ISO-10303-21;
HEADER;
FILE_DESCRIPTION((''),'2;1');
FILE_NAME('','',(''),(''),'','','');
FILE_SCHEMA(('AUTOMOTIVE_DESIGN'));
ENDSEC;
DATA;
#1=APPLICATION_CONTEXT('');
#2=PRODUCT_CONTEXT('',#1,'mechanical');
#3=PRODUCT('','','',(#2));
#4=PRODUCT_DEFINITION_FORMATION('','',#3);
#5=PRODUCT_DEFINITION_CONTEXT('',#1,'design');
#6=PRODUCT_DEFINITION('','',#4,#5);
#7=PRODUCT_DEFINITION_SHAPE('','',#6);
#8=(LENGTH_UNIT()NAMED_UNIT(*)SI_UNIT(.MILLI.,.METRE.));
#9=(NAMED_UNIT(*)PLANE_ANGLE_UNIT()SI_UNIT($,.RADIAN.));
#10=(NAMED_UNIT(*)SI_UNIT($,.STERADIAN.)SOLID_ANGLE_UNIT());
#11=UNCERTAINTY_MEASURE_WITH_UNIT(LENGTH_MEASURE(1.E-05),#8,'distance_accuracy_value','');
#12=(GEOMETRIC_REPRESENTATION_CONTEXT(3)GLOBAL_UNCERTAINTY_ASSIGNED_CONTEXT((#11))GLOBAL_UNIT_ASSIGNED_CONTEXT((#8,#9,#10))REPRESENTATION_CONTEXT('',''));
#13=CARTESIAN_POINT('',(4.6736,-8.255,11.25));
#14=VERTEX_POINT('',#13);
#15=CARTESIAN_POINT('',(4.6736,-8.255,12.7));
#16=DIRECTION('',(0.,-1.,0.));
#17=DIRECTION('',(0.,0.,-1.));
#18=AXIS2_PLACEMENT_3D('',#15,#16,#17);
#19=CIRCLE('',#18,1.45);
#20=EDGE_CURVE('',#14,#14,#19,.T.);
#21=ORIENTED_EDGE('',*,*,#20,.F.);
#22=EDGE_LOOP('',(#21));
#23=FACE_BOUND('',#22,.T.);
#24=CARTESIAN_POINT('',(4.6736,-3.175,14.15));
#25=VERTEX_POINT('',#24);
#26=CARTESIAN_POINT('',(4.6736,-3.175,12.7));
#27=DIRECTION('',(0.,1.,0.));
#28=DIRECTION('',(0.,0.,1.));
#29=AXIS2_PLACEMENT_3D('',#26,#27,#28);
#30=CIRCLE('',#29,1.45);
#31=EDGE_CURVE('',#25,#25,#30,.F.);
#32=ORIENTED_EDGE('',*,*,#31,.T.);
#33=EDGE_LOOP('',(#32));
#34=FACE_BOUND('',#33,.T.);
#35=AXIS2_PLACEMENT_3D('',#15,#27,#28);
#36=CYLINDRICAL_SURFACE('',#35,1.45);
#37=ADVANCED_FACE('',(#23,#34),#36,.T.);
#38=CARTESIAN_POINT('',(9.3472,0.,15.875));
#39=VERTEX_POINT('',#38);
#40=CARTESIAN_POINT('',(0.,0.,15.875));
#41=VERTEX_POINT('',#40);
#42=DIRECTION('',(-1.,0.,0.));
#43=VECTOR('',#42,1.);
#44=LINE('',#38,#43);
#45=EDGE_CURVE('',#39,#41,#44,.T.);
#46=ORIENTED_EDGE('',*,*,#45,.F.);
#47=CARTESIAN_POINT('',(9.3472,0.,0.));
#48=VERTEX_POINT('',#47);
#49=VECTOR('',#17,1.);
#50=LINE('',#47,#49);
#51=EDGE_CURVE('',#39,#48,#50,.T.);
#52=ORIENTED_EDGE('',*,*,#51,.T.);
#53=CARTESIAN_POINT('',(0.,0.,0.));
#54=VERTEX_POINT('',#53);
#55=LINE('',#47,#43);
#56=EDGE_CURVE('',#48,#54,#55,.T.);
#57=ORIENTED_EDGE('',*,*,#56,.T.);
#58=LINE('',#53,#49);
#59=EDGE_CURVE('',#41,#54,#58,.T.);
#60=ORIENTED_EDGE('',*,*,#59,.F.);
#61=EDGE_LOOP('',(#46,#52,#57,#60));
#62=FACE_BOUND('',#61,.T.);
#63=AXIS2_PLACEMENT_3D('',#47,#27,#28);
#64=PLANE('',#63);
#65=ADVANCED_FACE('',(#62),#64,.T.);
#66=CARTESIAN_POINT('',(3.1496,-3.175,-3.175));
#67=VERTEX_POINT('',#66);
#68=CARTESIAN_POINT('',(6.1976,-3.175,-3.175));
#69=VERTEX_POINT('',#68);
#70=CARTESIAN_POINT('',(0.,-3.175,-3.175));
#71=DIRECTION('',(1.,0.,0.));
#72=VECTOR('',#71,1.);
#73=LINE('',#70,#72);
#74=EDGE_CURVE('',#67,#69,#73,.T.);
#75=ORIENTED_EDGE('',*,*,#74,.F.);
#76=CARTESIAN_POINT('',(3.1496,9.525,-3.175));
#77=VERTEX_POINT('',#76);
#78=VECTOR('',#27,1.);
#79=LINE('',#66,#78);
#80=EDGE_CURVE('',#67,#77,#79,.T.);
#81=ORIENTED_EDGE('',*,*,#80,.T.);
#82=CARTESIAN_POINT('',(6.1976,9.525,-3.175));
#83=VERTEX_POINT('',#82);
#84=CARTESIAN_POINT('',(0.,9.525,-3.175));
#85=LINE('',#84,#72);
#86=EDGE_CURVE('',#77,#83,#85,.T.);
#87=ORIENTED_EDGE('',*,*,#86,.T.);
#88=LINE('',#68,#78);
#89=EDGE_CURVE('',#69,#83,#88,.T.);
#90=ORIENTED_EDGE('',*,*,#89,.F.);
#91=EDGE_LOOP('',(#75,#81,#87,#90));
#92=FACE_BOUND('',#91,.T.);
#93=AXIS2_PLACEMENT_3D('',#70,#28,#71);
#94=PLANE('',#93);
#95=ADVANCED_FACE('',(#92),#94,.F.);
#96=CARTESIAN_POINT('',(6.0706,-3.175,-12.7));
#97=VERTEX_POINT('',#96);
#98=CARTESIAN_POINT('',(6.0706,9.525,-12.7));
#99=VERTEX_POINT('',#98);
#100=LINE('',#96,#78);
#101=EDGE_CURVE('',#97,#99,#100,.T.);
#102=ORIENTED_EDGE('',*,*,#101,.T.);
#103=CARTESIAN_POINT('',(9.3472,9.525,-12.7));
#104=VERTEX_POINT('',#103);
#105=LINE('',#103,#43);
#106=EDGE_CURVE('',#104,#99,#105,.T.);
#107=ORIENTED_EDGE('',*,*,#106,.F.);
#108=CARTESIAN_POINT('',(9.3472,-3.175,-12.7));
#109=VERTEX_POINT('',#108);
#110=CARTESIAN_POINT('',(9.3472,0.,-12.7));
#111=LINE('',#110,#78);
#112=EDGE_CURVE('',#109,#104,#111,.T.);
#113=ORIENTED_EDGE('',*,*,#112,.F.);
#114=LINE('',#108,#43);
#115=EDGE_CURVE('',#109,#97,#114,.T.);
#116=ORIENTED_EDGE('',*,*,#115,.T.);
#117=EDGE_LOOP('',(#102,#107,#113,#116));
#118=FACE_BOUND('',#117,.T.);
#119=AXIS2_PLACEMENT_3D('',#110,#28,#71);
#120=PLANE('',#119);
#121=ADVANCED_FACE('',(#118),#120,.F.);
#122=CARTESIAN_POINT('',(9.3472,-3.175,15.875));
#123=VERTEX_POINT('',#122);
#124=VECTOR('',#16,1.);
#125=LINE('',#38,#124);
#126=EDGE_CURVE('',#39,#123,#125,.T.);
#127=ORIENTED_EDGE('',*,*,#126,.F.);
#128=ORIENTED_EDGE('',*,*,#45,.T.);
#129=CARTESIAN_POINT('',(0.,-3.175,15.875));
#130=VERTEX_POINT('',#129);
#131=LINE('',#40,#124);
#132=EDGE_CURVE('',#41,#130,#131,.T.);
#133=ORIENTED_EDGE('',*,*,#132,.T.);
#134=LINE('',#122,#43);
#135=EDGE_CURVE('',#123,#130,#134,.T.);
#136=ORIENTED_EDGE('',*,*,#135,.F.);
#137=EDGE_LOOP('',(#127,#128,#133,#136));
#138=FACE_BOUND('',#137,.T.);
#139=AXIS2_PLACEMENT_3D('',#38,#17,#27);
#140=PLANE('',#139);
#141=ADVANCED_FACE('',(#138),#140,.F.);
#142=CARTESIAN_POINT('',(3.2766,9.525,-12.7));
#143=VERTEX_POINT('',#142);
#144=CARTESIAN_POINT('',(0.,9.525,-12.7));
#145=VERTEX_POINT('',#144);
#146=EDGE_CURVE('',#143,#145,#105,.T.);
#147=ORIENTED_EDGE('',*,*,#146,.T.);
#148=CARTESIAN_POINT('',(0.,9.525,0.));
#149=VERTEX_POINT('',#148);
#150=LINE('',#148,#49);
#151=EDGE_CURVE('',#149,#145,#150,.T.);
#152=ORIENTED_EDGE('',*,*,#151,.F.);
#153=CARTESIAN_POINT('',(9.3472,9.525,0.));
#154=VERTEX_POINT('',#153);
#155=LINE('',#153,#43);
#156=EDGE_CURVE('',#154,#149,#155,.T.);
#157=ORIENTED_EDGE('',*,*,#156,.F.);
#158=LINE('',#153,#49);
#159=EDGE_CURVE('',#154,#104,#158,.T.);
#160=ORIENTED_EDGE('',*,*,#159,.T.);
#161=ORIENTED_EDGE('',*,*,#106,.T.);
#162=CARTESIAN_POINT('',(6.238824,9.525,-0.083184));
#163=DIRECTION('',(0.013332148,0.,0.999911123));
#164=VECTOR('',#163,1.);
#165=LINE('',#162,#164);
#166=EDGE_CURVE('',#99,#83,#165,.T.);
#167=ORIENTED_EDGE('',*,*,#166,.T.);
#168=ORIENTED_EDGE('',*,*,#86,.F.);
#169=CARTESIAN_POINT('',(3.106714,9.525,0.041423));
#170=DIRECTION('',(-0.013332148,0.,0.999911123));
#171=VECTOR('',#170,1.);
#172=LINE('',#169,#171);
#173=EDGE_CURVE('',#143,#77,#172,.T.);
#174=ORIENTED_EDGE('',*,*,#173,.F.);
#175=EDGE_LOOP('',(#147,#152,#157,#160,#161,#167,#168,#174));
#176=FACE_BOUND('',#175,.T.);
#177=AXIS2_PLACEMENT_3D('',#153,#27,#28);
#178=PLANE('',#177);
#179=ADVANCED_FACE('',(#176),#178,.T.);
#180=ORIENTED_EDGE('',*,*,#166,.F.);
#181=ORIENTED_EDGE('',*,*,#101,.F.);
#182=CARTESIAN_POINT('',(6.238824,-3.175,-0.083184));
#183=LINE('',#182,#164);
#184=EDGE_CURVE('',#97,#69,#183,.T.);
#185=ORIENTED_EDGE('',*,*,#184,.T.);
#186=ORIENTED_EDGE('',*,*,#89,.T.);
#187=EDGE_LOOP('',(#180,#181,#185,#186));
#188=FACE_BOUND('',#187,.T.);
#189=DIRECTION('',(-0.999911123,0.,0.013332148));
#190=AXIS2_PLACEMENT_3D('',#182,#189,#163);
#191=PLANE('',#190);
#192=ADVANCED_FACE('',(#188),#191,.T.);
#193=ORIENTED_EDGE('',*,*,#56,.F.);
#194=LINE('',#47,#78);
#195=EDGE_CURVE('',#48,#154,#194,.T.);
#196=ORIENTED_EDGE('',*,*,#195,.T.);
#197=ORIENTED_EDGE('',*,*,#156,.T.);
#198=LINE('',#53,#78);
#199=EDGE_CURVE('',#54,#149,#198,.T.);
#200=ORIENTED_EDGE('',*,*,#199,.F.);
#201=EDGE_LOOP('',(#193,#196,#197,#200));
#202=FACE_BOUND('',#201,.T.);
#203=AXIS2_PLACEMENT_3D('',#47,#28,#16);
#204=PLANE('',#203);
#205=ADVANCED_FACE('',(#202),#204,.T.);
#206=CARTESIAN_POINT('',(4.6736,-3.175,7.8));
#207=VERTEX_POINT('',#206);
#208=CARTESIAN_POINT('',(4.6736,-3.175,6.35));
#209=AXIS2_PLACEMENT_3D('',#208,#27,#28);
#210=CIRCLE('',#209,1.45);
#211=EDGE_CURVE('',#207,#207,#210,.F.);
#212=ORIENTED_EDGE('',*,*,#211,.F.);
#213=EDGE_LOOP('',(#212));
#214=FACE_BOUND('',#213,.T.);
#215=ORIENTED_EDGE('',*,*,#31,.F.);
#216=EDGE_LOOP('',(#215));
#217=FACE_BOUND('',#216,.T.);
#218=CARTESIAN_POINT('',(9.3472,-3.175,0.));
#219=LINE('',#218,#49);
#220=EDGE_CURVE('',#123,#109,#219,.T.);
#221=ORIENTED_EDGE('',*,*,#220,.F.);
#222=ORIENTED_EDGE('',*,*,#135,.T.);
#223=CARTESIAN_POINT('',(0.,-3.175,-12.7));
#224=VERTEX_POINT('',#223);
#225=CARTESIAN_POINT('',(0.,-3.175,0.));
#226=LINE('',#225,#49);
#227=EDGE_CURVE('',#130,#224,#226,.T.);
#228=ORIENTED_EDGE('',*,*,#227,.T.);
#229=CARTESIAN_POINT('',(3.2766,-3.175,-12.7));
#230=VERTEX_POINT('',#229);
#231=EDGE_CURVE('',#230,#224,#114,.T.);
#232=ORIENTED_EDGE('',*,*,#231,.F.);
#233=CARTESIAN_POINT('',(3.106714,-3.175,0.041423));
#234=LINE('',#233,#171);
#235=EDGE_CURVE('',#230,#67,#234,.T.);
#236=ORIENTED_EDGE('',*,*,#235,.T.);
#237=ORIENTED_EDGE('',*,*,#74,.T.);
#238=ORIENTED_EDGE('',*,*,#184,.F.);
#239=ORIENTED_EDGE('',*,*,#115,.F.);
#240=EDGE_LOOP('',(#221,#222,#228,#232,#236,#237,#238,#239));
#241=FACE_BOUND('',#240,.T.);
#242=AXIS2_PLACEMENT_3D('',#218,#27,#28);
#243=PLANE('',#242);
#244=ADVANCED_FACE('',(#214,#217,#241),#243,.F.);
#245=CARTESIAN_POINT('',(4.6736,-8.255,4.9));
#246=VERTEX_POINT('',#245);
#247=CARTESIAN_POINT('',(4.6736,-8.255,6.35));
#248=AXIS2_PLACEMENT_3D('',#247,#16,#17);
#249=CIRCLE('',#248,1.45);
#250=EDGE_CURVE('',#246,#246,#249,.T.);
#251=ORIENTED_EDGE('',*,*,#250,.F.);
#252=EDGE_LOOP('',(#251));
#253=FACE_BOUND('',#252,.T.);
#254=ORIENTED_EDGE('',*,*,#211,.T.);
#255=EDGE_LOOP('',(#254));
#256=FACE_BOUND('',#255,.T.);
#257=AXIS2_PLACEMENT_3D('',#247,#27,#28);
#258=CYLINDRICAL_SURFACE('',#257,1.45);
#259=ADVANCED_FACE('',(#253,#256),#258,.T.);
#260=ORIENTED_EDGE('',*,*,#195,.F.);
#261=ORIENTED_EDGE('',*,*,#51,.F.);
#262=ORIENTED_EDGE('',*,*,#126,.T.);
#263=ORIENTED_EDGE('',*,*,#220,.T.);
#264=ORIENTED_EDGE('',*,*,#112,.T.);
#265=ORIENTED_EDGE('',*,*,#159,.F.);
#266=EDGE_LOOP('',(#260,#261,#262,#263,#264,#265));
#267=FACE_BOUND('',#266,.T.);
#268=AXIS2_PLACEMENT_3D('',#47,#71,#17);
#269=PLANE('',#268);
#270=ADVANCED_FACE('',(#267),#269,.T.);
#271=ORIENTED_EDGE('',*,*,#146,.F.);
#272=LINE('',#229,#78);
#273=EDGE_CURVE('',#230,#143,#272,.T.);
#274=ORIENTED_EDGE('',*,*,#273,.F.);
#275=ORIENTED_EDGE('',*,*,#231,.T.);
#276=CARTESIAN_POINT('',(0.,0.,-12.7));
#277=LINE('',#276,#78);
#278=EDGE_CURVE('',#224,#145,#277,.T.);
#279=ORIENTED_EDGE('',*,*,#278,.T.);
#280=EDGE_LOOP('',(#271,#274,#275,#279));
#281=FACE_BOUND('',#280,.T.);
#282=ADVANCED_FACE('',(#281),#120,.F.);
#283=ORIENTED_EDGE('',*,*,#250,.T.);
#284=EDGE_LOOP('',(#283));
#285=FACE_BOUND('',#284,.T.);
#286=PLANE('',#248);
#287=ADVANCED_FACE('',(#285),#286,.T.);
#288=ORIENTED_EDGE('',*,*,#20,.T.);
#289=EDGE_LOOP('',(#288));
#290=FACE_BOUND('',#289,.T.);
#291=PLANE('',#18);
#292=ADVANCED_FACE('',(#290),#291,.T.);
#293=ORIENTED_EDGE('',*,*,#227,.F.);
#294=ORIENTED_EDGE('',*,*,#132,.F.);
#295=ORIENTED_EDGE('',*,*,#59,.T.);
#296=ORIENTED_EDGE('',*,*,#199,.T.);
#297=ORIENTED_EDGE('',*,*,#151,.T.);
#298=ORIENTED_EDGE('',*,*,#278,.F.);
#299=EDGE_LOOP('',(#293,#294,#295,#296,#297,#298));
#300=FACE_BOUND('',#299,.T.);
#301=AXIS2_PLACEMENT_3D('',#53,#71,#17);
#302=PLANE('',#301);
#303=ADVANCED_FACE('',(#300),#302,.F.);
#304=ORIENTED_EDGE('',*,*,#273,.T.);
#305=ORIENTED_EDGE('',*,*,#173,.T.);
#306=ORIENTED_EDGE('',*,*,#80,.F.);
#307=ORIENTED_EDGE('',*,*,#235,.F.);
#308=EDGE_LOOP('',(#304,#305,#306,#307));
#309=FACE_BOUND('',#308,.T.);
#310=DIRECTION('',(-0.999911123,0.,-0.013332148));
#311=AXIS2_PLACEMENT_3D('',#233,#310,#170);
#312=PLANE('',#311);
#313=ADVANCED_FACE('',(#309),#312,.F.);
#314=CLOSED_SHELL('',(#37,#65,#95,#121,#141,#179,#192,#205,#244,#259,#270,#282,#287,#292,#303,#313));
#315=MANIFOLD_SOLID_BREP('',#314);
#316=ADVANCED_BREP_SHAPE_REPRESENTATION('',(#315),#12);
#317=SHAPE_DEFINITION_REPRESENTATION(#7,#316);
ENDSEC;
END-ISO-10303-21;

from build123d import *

# Parameters (mm, degrees)
SKETCH2_W           = 15.875
SKETCH2_H           = 3.175
BOSS_EXTRUDE1_DEPTH = 9.3472
CUT_EXTRUDE1_DEPTH  = 13.7
SKETCH4_R           = 1.45
BOSS_EXTRUDE2_DEPTH = 5.08


with BuildPart() as part:
    # Sketch2 → Boss-Extrude1 (new body)
    with BuildSketch(Plane(origin=(0, 0, 0), x_dir=(0, 0, -1), z_dir=(1, 0, 0))):
        with Locations((-7.9375, -1.5875)):
            Rectangle(SKETCH2_W, SKETCH2_H)
        Polygon((0, 9.525), (0, 0), (0, -3.175), (12.7, -3.175), (12.7, 9.525), align=None)
    extrude(amount=BOSS_EXTRUDE1_DEPTH)

    # Sketch3 → Cut-Extrude1 (cut, through all)
    with BuildSketch(Plane(origin=(0, 9.525, 0), x_dir=(1, 0, 0), z_dir=(0, 1, 0))):
        Polygon((3.2766, 12.7), (6.0706, 12.7), (6.1976, 3.175), (3.1496, 3.175), align=None)
    extrude(amount=-CUT_EXTRUDE1_DEPTH, mode=Mode.SUBTRACT)

    # Sketch4 → Boss-Extrude2 (add)
    with BuildSketch(Plane.XZ.offset(3.175)):
        with Locations((4.6736, 12.7)):
            Circle(SKETCH4_R)
        with Locations((4.6736, 6.35)):
            Circle(SKETCH4_R)
    extrude(amount=BOSS_EXTRUDE2_DEPTH)


solid = part.part
